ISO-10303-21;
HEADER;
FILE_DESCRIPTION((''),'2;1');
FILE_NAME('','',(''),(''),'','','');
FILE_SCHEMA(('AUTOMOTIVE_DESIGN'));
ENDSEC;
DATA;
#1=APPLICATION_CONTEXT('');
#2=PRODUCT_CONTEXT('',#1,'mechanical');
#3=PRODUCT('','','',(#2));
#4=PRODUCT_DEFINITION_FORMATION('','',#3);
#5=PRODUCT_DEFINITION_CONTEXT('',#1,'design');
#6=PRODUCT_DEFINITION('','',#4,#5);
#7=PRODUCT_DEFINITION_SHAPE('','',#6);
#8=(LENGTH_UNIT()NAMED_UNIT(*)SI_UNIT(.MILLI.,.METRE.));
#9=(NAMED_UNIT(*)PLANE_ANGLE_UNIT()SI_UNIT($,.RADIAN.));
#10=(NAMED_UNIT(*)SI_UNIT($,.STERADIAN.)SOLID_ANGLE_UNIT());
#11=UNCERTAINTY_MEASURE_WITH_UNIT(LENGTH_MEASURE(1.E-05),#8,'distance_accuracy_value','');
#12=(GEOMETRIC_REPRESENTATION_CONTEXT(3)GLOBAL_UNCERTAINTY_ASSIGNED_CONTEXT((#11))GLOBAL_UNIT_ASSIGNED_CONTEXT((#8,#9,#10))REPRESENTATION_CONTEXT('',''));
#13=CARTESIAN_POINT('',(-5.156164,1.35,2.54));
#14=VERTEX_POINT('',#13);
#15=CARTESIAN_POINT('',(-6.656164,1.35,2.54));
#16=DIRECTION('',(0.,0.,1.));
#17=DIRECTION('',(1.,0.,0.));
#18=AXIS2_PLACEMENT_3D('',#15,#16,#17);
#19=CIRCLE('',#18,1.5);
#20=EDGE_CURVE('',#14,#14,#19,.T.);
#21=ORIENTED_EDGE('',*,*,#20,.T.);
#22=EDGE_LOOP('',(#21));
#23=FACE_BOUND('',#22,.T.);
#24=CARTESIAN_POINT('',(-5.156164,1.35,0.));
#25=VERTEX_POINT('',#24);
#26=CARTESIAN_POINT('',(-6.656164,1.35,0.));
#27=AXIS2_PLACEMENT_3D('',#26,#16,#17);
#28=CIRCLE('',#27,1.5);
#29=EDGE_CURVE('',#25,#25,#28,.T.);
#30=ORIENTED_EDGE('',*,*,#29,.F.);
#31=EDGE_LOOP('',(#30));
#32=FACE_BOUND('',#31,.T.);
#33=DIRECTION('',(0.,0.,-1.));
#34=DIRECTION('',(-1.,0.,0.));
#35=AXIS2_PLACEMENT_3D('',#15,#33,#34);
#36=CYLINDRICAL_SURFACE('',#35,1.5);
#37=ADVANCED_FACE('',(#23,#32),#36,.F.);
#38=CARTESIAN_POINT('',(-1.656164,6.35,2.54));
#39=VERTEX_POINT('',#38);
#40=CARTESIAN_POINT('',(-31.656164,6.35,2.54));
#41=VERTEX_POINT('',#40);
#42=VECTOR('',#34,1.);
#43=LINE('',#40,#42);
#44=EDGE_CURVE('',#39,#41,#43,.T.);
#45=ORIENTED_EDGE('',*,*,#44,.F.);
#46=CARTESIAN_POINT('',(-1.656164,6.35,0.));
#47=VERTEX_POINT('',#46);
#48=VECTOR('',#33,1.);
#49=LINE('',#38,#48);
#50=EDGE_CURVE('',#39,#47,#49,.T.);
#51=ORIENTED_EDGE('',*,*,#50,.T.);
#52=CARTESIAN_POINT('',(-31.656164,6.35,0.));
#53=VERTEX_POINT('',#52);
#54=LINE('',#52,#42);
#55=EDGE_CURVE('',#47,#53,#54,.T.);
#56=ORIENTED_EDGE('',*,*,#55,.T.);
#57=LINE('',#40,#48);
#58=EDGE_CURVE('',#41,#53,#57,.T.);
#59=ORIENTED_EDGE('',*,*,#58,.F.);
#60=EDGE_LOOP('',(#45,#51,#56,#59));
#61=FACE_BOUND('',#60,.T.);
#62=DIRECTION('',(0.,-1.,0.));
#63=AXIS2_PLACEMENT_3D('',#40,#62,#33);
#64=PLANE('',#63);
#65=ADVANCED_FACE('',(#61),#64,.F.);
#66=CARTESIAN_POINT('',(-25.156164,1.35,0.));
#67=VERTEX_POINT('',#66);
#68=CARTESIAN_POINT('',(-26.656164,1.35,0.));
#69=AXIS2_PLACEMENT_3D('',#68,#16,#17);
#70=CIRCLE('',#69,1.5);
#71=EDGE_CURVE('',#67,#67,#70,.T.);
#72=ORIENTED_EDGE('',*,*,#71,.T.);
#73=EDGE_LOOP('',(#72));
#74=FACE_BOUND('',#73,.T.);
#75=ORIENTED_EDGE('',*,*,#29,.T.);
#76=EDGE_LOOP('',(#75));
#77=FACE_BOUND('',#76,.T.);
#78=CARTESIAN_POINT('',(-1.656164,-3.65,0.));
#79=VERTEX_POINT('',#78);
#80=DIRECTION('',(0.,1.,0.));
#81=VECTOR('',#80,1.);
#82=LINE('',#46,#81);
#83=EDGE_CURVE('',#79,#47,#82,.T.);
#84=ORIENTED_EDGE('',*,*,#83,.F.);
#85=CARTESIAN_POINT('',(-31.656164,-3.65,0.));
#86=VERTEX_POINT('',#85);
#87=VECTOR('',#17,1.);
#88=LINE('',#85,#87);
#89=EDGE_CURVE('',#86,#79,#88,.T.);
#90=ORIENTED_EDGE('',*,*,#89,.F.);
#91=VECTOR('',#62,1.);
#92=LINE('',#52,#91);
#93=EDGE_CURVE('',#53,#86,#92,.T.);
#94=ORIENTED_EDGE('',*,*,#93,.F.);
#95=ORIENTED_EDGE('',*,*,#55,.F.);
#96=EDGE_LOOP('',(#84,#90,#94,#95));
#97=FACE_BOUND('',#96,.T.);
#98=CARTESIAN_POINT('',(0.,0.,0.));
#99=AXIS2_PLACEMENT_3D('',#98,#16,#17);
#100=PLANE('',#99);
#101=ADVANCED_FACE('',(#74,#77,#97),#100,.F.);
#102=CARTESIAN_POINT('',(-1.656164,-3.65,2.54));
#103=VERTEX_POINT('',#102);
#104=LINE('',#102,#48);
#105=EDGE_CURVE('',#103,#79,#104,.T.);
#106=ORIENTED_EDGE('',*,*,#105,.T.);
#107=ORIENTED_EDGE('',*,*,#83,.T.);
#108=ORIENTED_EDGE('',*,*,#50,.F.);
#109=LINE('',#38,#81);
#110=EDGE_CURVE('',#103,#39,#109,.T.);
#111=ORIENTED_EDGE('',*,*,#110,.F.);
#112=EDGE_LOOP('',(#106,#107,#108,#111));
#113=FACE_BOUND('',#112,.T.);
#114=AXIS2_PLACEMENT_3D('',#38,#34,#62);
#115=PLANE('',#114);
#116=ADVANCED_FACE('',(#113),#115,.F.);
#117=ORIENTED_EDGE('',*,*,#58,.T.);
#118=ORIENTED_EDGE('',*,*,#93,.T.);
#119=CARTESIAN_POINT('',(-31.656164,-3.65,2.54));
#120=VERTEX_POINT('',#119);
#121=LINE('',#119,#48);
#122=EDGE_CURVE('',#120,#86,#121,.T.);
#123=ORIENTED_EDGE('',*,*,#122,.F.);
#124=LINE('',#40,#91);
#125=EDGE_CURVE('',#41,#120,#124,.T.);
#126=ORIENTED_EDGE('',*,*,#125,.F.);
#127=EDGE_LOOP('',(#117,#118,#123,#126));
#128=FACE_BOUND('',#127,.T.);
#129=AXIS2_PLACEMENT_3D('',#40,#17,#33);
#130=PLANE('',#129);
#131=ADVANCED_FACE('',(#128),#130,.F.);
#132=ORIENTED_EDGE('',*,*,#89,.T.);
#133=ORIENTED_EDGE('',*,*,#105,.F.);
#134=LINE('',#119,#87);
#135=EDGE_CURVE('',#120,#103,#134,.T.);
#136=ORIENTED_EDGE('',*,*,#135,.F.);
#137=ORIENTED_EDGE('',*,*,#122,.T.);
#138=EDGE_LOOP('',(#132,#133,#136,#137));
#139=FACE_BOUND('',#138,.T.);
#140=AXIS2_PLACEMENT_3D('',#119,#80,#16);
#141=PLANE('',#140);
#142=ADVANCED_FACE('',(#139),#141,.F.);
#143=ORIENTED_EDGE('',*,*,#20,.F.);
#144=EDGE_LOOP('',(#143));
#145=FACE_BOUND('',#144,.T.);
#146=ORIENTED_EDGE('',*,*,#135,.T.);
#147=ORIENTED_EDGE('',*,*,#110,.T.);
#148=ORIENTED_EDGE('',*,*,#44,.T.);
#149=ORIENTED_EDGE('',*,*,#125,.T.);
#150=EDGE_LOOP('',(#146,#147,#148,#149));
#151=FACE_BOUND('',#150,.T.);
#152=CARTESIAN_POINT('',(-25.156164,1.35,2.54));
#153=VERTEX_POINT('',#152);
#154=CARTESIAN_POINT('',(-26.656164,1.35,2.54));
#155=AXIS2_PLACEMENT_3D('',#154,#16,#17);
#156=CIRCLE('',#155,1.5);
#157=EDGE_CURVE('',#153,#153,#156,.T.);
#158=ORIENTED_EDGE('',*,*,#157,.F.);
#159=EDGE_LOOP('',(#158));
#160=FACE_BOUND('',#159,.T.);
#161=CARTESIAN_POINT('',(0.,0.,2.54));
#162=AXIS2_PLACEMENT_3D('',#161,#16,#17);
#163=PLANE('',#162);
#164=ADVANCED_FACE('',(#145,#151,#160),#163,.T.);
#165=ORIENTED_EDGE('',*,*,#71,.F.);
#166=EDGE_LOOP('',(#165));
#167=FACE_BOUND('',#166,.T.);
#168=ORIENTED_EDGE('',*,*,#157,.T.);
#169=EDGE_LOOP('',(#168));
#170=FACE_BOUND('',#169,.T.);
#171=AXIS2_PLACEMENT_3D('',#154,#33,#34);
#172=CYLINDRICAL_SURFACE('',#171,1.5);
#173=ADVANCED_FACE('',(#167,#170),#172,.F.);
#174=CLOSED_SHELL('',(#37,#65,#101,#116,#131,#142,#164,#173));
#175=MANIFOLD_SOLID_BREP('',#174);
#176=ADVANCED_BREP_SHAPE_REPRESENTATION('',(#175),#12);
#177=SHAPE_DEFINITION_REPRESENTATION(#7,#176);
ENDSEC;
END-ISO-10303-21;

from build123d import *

# Parameters (mm, degrees)
SKETCH1_W           = 30
SKETCH1_H           = 10
SKETCH1_R           = 1.5
BOSS_EXTRUDE1_DEPTH = 2.54


with BuildPart() as part:
    # Sketch1 → Boss-Extrude1 (new body)
    with BuildSketch(Plane.XY):
        with Locations((-16.656164384, 1.35)):
            Rectangle(SKETCH1_W, SKETCH1_H)
        with Locations((-26.656164384, 1.35)):
            Circle(SKETCH1_R, mode=Mode.SUBTRACT)
        with Locations((-6.656164384, 1.35)):
            Circle(SKETCH1_R, mode=Mode.SUBTRACT)
    extrude(amount=BOSS_EXTRUDE1_DEPTH)


solid = part.part
